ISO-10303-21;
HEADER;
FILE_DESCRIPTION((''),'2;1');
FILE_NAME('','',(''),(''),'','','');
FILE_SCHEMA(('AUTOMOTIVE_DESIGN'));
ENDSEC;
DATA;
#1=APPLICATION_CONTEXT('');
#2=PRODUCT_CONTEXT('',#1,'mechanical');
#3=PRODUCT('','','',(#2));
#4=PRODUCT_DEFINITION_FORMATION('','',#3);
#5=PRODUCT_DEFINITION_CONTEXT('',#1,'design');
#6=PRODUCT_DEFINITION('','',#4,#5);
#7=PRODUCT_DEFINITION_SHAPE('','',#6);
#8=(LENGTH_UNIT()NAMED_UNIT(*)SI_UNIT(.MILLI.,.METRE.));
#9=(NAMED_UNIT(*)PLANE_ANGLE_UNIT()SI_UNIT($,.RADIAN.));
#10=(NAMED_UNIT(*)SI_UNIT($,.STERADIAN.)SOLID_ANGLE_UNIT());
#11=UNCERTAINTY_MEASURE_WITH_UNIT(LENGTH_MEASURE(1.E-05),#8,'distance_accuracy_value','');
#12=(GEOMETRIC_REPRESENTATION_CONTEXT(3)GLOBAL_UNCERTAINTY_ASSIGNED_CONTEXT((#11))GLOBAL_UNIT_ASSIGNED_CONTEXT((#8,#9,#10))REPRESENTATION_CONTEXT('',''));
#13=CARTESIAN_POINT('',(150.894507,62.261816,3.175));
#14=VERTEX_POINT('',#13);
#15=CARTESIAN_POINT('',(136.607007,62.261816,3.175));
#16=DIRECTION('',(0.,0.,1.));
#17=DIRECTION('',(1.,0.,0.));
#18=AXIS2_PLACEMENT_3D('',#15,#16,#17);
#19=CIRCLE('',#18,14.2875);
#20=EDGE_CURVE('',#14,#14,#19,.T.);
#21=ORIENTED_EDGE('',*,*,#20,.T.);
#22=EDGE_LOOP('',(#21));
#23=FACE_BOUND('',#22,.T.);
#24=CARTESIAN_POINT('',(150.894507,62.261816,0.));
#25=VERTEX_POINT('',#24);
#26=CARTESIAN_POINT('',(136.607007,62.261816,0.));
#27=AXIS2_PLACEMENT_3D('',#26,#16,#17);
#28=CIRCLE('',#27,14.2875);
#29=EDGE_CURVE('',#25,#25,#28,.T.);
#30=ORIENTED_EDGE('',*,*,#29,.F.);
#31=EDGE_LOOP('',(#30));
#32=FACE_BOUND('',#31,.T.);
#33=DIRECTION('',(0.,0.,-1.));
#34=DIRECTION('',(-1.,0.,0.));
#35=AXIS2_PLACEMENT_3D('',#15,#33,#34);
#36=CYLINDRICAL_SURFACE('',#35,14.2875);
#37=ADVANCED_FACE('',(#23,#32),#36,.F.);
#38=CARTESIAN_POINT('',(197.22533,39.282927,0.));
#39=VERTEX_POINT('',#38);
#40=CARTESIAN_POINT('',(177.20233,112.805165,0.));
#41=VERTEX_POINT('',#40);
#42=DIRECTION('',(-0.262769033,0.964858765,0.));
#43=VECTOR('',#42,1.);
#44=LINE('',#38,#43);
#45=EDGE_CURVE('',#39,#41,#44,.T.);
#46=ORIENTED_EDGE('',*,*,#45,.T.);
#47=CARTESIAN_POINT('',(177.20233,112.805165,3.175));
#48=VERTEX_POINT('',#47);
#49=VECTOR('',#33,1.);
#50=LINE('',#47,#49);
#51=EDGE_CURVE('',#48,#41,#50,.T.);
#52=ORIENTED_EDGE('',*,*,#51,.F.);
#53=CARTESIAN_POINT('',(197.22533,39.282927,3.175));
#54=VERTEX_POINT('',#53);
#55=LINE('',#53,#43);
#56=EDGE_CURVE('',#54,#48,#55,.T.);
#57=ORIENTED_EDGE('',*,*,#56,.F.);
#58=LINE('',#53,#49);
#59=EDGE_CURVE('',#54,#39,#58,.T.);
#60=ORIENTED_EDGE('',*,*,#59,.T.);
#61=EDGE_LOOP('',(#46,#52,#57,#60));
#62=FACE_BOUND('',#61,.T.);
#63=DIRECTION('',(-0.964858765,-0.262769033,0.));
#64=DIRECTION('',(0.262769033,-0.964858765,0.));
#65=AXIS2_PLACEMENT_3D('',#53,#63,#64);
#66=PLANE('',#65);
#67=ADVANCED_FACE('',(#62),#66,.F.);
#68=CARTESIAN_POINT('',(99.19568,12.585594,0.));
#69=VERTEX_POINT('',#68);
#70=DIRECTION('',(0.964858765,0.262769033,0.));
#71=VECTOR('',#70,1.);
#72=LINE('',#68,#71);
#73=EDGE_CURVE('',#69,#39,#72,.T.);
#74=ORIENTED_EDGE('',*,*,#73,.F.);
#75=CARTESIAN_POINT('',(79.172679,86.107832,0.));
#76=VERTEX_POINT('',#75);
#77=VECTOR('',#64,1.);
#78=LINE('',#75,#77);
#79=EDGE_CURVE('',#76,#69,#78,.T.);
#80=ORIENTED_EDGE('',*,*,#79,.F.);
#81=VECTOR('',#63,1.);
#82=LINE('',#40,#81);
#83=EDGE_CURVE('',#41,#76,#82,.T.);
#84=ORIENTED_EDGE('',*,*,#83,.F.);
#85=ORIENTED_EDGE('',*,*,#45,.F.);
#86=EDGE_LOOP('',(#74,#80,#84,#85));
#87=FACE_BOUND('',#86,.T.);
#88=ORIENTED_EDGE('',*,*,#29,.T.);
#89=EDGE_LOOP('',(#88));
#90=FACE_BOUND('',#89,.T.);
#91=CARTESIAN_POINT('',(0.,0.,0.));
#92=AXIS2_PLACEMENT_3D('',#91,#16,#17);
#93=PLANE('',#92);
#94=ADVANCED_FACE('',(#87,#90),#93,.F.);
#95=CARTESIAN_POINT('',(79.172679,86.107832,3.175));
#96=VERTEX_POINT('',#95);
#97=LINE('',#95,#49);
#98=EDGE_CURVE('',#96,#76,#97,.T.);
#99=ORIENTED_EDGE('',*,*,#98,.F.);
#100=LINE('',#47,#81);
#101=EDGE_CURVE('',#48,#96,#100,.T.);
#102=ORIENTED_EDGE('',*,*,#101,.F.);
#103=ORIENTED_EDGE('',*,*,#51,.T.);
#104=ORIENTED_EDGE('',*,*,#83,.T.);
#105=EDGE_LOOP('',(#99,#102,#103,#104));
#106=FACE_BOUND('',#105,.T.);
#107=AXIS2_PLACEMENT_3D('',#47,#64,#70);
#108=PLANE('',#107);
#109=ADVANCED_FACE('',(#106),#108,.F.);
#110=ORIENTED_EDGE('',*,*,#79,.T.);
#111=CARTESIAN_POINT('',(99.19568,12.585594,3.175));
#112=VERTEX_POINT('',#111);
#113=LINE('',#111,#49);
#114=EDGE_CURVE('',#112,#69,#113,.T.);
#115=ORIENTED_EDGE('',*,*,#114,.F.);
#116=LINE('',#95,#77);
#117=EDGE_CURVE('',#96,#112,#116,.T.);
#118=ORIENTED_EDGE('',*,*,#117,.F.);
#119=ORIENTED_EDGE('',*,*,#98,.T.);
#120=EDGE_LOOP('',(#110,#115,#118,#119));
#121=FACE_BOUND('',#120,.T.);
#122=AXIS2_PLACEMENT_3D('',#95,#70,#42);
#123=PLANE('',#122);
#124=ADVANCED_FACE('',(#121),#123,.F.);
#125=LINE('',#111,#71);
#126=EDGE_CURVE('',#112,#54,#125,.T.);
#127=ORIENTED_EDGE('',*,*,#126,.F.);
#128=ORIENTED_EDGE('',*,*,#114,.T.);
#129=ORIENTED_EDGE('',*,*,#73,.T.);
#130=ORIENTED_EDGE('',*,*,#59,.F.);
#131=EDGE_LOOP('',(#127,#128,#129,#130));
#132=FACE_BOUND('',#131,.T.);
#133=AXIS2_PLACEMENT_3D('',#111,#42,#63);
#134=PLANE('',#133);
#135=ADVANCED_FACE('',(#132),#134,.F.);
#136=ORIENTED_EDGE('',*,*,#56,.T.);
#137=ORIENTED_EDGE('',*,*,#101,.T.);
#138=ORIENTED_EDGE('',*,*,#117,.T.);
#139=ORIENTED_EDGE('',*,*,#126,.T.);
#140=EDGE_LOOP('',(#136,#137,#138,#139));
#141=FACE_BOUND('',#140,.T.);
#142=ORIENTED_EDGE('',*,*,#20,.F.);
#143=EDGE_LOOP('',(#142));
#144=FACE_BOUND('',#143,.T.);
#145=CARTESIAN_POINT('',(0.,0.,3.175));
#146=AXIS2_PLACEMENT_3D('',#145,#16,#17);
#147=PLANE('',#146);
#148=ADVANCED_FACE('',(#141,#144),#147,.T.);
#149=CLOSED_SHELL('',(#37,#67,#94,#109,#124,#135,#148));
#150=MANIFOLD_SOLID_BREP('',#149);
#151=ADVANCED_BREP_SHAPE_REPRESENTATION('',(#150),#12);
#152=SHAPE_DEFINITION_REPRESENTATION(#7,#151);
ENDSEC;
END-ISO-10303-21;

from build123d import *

# Parameters (mm, degrees)
SKETCH1_R           = 14.2875
BOSS_EXTRUDE1_DEPTH = 3.175


with BuildPart() as part:
    # Sketch1 → Boss-Extrude1 (new body)
    with BuildSketch(Plane.XY):
        Polygon((99.19567976, 12.585593729), (197.225330238, 39.28292744), (177.202329954, 112.805165298), (79.172679477, 86.107831587), align=None)
        with Locations((136.607006946, 62.261815798)):
            Circle(SKETCH1_R, mode=Mode.SUBTRACT)
    extrude(amount=BOSS_EXTRUDE1_DEPTH)


solid = part.part
